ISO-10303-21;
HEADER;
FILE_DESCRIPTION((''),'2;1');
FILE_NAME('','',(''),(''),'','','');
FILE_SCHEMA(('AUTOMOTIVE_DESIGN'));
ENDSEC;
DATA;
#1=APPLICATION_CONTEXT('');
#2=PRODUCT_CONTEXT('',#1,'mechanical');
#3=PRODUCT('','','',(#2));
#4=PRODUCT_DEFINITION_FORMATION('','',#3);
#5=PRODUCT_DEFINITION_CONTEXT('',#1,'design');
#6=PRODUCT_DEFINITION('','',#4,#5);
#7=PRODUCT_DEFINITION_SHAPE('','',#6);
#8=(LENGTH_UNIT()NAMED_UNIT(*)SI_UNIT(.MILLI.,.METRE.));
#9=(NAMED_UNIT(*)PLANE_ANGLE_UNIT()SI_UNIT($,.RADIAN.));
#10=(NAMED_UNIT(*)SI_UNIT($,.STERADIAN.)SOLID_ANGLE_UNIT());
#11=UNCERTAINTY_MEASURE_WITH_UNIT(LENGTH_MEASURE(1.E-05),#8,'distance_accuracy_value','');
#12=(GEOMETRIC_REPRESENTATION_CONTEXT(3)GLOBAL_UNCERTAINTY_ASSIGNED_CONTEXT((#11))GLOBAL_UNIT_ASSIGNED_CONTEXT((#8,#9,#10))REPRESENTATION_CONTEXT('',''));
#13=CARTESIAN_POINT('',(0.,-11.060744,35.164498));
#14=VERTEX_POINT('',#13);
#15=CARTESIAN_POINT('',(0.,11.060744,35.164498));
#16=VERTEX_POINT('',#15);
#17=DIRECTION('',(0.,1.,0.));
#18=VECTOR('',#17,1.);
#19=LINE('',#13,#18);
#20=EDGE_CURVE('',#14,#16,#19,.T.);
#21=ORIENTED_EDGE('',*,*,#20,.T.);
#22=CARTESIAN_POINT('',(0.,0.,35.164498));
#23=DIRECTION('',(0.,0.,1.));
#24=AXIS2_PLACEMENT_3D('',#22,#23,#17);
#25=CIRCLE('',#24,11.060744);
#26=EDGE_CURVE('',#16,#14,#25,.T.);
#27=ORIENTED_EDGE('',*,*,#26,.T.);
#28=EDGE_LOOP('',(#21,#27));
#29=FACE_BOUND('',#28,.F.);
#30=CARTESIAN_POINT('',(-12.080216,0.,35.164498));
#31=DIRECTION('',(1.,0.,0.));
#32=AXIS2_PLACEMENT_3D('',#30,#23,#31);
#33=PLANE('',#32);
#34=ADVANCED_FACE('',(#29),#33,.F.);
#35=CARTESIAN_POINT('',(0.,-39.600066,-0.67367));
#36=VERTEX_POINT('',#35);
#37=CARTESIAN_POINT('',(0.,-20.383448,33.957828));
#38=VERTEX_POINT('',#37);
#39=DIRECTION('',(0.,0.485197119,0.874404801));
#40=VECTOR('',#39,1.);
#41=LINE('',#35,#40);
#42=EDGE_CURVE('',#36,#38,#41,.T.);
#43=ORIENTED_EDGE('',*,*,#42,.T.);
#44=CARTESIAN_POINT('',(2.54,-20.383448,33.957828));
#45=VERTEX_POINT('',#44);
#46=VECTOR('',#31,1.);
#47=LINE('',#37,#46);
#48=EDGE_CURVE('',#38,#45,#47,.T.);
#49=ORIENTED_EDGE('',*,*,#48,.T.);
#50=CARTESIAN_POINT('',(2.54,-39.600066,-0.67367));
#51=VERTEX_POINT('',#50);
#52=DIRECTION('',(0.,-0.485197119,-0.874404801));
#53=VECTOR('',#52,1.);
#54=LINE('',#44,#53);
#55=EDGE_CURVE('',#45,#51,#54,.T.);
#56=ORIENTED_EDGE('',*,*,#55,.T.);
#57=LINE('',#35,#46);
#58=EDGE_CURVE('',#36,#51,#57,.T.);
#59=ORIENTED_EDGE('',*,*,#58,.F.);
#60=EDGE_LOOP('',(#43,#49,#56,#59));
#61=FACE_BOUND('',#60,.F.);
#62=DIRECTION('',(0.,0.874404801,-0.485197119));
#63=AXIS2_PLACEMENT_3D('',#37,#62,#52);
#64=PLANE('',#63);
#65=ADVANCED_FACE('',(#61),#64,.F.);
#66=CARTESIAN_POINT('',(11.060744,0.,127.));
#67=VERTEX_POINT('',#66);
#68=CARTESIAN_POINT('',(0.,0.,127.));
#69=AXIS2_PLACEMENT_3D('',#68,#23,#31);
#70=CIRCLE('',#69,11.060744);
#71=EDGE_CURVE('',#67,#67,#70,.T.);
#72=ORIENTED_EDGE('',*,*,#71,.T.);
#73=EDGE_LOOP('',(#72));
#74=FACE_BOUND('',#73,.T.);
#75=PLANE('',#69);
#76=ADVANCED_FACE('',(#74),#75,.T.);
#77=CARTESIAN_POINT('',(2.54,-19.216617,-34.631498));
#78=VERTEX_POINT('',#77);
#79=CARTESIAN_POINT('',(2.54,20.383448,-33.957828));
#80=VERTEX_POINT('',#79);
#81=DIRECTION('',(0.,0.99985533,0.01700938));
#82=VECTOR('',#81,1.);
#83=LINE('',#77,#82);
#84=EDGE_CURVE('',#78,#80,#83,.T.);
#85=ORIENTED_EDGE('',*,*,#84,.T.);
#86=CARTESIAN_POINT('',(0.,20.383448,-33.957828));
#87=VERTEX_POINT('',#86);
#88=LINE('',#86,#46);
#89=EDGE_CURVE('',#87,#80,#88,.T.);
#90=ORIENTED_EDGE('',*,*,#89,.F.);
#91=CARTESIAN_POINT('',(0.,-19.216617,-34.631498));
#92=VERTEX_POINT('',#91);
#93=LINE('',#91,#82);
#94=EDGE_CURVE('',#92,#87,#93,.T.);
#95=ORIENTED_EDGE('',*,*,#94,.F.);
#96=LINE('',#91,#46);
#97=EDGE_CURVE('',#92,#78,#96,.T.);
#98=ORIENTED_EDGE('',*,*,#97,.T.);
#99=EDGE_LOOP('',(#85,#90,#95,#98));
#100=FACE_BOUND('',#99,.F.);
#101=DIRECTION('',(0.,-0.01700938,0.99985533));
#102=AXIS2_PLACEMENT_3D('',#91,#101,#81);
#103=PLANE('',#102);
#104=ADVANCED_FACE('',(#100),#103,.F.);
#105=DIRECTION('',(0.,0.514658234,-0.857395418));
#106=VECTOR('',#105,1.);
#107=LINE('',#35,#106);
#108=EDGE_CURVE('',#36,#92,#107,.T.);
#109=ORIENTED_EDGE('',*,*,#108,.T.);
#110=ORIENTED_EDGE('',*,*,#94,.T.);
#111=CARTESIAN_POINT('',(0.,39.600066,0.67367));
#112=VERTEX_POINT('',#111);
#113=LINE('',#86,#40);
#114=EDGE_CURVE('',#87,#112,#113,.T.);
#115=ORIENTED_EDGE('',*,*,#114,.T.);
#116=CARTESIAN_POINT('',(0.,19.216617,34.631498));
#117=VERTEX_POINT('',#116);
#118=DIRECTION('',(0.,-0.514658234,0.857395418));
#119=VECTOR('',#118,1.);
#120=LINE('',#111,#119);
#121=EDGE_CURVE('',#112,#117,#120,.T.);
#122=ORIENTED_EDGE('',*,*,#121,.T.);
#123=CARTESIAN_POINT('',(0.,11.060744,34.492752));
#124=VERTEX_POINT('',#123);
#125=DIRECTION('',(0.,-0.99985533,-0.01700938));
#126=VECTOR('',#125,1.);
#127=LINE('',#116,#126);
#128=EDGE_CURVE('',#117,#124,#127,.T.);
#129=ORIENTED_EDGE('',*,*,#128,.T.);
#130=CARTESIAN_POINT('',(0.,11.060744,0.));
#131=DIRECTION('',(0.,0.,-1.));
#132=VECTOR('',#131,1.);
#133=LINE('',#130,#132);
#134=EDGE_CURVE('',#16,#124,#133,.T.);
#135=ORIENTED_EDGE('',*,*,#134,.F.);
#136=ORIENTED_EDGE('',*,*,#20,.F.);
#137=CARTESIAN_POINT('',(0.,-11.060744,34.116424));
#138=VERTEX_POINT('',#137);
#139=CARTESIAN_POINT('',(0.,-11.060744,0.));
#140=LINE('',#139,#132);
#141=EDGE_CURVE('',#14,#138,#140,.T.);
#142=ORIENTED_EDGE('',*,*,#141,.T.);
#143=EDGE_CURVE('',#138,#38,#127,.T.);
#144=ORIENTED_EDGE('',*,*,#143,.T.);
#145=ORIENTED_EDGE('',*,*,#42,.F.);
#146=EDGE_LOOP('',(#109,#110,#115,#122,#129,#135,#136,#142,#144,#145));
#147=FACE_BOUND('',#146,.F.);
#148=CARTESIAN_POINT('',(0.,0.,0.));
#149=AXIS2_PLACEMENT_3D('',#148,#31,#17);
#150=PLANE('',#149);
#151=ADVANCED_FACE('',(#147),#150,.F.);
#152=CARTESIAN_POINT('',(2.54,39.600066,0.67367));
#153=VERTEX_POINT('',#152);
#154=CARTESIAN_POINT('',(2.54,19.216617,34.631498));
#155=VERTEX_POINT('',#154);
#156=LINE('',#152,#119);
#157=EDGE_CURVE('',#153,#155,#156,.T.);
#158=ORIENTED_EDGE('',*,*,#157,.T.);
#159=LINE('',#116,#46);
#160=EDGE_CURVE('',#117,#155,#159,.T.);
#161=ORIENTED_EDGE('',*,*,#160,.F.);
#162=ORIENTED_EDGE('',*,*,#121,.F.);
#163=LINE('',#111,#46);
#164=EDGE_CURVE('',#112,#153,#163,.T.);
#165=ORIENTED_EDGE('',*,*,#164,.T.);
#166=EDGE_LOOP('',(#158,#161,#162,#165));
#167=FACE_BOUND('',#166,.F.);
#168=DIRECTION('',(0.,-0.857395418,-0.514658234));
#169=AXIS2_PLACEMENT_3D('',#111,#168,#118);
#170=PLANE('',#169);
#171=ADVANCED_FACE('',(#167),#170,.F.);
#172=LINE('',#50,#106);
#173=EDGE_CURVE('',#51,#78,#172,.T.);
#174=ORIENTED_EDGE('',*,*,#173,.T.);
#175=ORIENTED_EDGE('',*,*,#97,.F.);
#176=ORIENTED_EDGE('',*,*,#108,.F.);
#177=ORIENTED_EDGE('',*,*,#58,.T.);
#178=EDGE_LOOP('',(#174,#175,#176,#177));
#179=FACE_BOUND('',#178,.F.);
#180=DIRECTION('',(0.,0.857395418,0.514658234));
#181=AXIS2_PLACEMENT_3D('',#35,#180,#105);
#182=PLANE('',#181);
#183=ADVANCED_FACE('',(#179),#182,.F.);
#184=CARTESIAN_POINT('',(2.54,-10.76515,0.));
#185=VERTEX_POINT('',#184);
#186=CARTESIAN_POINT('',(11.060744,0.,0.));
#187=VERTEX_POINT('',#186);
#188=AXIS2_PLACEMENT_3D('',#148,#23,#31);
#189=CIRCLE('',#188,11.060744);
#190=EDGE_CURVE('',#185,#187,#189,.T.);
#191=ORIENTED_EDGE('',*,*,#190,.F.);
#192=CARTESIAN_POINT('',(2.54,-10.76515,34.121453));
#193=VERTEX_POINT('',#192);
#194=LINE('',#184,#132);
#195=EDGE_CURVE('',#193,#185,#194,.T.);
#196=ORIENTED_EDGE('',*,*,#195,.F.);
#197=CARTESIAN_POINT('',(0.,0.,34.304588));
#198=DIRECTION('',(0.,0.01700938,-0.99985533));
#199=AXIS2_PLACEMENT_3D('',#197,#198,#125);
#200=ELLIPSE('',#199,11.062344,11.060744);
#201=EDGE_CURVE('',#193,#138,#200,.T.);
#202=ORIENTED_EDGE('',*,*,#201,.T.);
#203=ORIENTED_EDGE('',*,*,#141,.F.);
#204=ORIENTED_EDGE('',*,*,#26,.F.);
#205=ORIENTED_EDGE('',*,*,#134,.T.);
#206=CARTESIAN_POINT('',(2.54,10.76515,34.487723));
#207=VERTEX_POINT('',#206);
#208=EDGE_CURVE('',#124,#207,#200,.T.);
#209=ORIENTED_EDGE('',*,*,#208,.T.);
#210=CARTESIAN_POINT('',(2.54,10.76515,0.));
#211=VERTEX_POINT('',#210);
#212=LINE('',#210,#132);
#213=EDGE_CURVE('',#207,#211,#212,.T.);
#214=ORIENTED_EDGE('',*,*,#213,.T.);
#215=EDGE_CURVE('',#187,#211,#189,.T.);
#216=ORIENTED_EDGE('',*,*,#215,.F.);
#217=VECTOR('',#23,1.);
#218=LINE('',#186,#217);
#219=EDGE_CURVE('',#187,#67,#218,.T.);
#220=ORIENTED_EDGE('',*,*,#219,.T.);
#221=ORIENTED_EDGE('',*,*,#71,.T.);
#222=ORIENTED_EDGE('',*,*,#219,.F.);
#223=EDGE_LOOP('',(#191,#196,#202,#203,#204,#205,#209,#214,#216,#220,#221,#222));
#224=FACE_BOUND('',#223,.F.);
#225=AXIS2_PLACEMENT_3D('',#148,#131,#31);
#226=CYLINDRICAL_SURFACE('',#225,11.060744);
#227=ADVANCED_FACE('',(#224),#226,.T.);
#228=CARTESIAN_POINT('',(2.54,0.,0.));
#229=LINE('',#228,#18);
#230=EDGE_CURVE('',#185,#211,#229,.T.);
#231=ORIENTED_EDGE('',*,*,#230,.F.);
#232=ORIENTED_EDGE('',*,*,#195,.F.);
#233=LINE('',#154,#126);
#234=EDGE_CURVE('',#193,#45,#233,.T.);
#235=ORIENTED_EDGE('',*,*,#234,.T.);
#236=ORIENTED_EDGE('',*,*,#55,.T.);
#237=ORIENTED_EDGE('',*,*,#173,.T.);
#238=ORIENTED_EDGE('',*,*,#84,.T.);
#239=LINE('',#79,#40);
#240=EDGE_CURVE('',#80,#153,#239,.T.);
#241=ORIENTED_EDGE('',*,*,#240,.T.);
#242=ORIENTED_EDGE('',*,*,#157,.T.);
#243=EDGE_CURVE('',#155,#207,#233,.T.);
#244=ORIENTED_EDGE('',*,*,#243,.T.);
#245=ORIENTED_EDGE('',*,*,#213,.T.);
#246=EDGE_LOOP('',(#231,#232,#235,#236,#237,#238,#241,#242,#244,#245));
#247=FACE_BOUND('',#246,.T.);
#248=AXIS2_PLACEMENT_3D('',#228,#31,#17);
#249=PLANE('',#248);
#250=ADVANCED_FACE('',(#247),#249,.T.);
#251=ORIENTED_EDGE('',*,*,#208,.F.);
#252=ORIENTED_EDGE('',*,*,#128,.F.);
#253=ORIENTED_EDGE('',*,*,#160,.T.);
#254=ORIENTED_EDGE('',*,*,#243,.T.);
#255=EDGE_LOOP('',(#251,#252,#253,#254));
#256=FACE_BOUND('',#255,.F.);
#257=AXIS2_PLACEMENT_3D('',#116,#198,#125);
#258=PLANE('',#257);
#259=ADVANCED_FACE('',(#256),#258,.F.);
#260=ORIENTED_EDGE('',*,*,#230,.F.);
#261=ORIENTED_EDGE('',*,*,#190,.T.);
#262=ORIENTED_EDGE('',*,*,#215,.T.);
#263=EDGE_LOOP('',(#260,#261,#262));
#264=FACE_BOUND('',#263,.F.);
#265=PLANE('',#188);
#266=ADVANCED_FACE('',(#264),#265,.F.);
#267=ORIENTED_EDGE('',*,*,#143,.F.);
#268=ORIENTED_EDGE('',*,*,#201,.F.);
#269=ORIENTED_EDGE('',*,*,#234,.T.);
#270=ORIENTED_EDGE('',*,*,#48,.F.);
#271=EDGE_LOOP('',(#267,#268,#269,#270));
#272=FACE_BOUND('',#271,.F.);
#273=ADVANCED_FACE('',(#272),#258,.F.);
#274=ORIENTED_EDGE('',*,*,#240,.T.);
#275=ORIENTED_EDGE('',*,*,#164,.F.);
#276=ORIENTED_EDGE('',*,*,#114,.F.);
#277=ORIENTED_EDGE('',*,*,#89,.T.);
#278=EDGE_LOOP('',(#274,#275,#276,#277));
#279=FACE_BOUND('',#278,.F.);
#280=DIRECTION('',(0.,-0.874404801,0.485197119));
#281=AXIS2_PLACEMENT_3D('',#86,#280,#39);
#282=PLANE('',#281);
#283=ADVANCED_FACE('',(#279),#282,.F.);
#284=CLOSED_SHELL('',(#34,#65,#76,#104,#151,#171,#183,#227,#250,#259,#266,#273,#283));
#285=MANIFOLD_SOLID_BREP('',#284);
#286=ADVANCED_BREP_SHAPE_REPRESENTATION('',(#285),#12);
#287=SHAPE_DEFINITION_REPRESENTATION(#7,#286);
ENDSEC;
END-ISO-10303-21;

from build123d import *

# Parameters (mm, degrees)
F0_R          = 11.060744
F1_DEPTH      = 127
F3_DEPTH      = 2.54
F4_W          = 12.080216
F4_H          = 35.164498
F5_DEPTH      = 39.601066
F5_DEPTH_BACK = 25.4


with BuildPart() as f1:
    # F0 (on Top) → F1 (new body)
    with BuildSketch(Plane.XY):
        Circle(F0_R)
    extrude(amount=F1_DEPTH)

    # F2 (on Right) → F3 (join)
    with BuildSketch(Plane.YZ):
        Polygon((20.383448, -33.957828), (39.600066, 0.67367), (19.216617, 34.631498), (-20.383448, 33.957828), (-39.600066, -0.67367), (-19.216617, -34.631498), align=None)
    extrude(amount=F3_DEPTH)

    # F4 (on Front) → F5 (cut, two sides)
    with BuildSketch(Plane.XZ) as f5_sk:
        with Locations((-6.040108, 17.582249)):
            Rectangle(F4_W, F4_H)
    extrude(amount=F5_DEPTH, mode=Mode.SUBTRACT)
    extrude(f5_sk.sketch, amount=-F5_DEPTH_BACK, mode=Mode.SUBTRACT)


solid = f1.part
